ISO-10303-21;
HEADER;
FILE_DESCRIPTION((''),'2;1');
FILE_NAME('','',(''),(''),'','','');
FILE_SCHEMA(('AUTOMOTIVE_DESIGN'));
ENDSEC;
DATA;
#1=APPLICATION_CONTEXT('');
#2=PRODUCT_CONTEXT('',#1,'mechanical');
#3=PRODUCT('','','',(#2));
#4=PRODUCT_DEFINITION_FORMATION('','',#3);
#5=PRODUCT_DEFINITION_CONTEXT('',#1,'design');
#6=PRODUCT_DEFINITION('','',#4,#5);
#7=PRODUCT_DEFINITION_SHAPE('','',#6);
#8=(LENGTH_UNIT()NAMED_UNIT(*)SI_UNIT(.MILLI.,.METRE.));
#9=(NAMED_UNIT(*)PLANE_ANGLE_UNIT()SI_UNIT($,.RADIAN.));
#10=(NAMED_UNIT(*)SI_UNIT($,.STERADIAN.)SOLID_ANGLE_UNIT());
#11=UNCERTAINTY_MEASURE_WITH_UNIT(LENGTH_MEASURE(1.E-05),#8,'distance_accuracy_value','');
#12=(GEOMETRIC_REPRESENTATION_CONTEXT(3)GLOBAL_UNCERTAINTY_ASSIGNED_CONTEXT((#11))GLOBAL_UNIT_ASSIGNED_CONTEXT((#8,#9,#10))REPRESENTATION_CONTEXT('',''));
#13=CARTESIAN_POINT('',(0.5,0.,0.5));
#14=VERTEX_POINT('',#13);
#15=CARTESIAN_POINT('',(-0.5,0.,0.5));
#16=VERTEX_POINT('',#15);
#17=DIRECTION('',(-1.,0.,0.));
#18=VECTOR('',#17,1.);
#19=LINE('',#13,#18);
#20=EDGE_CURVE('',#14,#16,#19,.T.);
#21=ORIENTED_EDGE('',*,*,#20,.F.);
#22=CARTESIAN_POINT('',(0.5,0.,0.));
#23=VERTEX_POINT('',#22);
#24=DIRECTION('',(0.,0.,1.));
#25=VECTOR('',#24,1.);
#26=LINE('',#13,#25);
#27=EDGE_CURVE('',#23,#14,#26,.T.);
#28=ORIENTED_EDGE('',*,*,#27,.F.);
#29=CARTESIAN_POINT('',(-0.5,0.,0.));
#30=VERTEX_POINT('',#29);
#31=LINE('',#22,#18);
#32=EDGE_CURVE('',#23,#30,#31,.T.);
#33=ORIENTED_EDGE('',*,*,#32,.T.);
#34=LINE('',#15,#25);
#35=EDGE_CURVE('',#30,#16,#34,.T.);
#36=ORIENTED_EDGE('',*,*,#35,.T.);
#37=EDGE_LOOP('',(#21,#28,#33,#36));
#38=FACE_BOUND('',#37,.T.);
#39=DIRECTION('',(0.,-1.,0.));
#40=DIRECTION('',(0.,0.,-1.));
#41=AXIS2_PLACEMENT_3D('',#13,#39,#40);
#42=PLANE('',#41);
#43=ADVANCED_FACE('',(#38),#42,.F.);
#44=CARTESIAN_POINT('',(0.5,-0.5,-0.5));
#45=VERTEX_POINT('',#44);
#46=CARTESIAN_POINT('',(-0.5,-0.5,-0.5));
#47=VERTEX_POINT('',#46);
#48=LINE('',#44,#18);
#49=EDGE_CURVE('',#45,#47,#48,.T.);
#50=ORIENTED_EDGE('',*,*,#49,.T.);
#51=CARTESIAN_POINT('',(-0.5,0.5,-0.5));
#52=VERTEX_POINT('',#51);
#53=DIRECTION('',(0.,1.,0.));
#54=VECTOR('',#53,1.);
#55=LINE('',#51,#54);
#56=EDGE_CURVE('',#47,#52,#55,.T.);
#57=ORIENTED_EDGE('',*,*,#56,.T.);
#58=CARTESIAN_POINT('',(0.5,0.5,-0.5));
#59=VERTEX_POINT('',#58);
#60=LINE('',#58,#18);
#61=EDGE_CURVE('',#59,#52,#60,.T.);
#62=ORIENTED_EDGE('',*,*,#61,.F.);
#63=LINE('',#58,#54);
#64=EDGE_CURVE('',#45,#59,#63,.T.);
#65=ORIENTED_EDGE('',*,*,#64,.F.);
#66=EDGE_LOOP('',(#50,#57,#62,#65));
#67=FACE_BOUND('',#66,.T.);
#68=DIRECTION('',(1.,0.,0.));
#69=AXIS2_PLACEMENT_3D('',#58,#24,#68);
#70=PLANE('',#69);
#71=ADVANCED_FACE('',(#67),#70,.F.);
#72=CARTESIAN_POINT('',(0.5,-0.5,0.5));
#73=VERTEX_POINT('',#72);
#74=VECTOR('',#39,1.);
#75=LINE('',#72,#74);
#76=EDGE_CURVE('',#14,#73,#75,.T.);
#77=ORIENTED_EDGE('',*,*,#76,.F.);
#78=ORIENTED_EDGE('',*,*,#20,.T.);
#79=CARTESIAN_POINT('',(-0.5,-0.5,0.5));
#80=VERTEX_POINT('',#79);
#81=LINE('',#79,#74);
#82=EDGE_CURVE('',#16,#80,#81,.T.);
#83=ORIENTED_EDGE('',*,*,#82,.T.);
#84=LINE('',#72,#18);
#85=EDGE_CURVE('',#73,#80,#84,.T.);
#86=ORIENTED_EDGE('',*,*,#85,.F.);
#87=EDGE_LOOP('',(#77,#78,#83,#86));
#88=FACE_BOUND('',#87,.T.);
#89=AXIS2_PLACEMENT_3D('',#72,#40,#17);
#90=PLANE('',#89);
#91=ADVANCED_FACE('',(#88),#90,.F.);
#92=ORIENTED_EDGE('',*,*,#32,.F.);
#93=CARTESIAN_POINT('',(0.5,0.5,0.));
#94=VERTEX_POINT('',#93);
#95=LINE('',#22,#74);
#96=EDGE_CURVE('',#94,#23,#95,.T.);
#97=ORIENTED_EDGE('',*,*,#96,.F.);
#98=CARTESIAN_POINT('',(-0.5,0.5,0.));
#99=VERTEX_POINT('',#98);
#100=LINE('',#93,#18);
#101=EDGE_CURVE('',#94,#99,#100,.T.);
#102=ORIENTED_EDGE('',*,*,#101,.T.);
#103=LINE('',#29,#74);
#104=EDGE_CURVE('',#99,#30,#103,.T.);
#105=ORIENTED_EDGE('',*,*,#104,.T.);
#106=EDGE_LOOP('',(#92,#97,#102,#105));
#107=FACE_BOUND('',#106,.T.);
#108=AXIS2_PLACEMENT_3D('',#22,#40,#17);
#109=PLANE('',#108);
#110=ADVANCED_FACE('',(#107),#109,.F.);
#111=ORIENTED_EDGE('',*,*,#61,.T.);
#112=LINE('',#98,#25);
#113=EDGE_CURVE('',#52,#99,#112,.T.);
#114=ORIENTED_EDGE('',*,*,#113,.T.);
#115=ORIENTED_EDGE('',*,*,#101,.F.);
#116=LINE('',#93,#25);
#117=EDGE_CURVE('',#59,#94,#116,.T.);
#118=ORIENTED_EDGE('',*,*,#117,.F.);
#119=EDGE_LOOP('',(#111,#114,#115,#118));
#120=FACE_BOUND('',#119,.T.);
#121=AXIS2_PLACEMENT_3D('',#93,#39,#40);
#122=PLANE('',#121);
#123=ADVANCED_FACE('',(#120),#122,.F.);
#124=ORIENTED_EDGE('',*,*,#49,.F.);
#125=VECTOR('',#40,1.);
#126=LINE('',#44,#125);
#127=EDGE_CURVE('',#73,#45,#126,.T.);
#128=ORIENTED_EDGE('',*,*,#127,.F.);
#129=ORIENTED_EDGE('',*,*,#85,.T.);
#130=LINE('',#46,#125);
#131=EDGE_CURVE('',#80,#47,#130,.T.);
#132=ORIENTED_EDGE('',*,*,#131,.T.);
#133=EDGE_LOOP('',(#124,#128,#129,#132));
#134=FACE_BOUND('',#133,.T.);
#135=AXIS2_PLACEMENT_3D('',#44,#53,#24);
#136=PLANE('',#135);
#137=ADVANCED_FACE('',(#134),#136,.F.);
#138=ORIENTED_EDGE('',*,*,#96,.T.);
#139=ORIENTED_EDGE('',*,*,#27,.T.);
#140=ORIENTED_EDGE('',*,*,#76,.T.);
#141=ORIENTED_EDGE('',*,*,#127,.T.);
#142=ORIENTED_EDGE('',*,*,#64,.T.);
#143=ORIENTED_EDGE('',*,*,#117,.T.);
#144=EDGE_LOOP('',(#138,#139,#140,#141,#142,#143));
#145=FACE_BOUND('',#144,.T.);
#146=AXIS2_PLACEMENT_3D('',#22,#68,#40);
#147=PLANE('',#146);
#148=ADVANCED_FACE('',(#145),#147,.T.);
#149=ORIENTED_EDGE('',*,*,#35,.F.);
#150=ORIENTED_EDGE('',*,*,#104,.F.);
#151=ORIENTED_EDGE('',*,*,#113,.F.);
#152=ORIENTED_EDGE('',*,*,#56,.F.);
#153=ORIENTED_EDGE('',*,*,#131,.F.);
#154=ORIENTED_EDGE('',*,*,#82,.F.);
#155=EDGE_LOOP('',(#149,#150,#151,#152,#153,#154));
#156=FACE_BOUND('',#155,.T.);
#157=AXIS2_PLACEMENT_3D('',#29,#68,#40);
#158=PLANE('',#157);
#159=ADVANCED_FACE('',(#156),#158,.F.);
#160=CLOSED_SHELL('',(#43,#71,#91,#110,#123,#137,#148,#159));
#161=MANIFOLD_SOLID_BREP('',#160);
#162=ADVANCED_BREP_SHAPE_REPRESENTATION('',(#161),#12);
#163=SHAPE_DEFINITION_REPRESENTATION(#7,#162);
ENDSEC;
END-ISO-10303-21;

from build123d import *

# Parameters (mm, degrees)
AUFSATZ_LINEAR_AUSTRAGEN1_DEPTH = 0.5


with BuildPart() as part:
    # Skizze1 → Aufsatz-Linear austragen1 (new body, symmetric)
    with BuildSketch(Plane(origin=(0, 0, 0), x_dir=(0, 0, -1), z_dir=(1, 0, 0))):
        Polygon((0, 0), (0, 0.5), (0.5, 0.5), (0.5, -0.5), (-0.5, -0.5), (-0.5, 0), align=None)
    extrude(amount=AUFSATZ_LINEAR_AUSTRAGEN1_DEPTH, both=True)


solid = part.part
